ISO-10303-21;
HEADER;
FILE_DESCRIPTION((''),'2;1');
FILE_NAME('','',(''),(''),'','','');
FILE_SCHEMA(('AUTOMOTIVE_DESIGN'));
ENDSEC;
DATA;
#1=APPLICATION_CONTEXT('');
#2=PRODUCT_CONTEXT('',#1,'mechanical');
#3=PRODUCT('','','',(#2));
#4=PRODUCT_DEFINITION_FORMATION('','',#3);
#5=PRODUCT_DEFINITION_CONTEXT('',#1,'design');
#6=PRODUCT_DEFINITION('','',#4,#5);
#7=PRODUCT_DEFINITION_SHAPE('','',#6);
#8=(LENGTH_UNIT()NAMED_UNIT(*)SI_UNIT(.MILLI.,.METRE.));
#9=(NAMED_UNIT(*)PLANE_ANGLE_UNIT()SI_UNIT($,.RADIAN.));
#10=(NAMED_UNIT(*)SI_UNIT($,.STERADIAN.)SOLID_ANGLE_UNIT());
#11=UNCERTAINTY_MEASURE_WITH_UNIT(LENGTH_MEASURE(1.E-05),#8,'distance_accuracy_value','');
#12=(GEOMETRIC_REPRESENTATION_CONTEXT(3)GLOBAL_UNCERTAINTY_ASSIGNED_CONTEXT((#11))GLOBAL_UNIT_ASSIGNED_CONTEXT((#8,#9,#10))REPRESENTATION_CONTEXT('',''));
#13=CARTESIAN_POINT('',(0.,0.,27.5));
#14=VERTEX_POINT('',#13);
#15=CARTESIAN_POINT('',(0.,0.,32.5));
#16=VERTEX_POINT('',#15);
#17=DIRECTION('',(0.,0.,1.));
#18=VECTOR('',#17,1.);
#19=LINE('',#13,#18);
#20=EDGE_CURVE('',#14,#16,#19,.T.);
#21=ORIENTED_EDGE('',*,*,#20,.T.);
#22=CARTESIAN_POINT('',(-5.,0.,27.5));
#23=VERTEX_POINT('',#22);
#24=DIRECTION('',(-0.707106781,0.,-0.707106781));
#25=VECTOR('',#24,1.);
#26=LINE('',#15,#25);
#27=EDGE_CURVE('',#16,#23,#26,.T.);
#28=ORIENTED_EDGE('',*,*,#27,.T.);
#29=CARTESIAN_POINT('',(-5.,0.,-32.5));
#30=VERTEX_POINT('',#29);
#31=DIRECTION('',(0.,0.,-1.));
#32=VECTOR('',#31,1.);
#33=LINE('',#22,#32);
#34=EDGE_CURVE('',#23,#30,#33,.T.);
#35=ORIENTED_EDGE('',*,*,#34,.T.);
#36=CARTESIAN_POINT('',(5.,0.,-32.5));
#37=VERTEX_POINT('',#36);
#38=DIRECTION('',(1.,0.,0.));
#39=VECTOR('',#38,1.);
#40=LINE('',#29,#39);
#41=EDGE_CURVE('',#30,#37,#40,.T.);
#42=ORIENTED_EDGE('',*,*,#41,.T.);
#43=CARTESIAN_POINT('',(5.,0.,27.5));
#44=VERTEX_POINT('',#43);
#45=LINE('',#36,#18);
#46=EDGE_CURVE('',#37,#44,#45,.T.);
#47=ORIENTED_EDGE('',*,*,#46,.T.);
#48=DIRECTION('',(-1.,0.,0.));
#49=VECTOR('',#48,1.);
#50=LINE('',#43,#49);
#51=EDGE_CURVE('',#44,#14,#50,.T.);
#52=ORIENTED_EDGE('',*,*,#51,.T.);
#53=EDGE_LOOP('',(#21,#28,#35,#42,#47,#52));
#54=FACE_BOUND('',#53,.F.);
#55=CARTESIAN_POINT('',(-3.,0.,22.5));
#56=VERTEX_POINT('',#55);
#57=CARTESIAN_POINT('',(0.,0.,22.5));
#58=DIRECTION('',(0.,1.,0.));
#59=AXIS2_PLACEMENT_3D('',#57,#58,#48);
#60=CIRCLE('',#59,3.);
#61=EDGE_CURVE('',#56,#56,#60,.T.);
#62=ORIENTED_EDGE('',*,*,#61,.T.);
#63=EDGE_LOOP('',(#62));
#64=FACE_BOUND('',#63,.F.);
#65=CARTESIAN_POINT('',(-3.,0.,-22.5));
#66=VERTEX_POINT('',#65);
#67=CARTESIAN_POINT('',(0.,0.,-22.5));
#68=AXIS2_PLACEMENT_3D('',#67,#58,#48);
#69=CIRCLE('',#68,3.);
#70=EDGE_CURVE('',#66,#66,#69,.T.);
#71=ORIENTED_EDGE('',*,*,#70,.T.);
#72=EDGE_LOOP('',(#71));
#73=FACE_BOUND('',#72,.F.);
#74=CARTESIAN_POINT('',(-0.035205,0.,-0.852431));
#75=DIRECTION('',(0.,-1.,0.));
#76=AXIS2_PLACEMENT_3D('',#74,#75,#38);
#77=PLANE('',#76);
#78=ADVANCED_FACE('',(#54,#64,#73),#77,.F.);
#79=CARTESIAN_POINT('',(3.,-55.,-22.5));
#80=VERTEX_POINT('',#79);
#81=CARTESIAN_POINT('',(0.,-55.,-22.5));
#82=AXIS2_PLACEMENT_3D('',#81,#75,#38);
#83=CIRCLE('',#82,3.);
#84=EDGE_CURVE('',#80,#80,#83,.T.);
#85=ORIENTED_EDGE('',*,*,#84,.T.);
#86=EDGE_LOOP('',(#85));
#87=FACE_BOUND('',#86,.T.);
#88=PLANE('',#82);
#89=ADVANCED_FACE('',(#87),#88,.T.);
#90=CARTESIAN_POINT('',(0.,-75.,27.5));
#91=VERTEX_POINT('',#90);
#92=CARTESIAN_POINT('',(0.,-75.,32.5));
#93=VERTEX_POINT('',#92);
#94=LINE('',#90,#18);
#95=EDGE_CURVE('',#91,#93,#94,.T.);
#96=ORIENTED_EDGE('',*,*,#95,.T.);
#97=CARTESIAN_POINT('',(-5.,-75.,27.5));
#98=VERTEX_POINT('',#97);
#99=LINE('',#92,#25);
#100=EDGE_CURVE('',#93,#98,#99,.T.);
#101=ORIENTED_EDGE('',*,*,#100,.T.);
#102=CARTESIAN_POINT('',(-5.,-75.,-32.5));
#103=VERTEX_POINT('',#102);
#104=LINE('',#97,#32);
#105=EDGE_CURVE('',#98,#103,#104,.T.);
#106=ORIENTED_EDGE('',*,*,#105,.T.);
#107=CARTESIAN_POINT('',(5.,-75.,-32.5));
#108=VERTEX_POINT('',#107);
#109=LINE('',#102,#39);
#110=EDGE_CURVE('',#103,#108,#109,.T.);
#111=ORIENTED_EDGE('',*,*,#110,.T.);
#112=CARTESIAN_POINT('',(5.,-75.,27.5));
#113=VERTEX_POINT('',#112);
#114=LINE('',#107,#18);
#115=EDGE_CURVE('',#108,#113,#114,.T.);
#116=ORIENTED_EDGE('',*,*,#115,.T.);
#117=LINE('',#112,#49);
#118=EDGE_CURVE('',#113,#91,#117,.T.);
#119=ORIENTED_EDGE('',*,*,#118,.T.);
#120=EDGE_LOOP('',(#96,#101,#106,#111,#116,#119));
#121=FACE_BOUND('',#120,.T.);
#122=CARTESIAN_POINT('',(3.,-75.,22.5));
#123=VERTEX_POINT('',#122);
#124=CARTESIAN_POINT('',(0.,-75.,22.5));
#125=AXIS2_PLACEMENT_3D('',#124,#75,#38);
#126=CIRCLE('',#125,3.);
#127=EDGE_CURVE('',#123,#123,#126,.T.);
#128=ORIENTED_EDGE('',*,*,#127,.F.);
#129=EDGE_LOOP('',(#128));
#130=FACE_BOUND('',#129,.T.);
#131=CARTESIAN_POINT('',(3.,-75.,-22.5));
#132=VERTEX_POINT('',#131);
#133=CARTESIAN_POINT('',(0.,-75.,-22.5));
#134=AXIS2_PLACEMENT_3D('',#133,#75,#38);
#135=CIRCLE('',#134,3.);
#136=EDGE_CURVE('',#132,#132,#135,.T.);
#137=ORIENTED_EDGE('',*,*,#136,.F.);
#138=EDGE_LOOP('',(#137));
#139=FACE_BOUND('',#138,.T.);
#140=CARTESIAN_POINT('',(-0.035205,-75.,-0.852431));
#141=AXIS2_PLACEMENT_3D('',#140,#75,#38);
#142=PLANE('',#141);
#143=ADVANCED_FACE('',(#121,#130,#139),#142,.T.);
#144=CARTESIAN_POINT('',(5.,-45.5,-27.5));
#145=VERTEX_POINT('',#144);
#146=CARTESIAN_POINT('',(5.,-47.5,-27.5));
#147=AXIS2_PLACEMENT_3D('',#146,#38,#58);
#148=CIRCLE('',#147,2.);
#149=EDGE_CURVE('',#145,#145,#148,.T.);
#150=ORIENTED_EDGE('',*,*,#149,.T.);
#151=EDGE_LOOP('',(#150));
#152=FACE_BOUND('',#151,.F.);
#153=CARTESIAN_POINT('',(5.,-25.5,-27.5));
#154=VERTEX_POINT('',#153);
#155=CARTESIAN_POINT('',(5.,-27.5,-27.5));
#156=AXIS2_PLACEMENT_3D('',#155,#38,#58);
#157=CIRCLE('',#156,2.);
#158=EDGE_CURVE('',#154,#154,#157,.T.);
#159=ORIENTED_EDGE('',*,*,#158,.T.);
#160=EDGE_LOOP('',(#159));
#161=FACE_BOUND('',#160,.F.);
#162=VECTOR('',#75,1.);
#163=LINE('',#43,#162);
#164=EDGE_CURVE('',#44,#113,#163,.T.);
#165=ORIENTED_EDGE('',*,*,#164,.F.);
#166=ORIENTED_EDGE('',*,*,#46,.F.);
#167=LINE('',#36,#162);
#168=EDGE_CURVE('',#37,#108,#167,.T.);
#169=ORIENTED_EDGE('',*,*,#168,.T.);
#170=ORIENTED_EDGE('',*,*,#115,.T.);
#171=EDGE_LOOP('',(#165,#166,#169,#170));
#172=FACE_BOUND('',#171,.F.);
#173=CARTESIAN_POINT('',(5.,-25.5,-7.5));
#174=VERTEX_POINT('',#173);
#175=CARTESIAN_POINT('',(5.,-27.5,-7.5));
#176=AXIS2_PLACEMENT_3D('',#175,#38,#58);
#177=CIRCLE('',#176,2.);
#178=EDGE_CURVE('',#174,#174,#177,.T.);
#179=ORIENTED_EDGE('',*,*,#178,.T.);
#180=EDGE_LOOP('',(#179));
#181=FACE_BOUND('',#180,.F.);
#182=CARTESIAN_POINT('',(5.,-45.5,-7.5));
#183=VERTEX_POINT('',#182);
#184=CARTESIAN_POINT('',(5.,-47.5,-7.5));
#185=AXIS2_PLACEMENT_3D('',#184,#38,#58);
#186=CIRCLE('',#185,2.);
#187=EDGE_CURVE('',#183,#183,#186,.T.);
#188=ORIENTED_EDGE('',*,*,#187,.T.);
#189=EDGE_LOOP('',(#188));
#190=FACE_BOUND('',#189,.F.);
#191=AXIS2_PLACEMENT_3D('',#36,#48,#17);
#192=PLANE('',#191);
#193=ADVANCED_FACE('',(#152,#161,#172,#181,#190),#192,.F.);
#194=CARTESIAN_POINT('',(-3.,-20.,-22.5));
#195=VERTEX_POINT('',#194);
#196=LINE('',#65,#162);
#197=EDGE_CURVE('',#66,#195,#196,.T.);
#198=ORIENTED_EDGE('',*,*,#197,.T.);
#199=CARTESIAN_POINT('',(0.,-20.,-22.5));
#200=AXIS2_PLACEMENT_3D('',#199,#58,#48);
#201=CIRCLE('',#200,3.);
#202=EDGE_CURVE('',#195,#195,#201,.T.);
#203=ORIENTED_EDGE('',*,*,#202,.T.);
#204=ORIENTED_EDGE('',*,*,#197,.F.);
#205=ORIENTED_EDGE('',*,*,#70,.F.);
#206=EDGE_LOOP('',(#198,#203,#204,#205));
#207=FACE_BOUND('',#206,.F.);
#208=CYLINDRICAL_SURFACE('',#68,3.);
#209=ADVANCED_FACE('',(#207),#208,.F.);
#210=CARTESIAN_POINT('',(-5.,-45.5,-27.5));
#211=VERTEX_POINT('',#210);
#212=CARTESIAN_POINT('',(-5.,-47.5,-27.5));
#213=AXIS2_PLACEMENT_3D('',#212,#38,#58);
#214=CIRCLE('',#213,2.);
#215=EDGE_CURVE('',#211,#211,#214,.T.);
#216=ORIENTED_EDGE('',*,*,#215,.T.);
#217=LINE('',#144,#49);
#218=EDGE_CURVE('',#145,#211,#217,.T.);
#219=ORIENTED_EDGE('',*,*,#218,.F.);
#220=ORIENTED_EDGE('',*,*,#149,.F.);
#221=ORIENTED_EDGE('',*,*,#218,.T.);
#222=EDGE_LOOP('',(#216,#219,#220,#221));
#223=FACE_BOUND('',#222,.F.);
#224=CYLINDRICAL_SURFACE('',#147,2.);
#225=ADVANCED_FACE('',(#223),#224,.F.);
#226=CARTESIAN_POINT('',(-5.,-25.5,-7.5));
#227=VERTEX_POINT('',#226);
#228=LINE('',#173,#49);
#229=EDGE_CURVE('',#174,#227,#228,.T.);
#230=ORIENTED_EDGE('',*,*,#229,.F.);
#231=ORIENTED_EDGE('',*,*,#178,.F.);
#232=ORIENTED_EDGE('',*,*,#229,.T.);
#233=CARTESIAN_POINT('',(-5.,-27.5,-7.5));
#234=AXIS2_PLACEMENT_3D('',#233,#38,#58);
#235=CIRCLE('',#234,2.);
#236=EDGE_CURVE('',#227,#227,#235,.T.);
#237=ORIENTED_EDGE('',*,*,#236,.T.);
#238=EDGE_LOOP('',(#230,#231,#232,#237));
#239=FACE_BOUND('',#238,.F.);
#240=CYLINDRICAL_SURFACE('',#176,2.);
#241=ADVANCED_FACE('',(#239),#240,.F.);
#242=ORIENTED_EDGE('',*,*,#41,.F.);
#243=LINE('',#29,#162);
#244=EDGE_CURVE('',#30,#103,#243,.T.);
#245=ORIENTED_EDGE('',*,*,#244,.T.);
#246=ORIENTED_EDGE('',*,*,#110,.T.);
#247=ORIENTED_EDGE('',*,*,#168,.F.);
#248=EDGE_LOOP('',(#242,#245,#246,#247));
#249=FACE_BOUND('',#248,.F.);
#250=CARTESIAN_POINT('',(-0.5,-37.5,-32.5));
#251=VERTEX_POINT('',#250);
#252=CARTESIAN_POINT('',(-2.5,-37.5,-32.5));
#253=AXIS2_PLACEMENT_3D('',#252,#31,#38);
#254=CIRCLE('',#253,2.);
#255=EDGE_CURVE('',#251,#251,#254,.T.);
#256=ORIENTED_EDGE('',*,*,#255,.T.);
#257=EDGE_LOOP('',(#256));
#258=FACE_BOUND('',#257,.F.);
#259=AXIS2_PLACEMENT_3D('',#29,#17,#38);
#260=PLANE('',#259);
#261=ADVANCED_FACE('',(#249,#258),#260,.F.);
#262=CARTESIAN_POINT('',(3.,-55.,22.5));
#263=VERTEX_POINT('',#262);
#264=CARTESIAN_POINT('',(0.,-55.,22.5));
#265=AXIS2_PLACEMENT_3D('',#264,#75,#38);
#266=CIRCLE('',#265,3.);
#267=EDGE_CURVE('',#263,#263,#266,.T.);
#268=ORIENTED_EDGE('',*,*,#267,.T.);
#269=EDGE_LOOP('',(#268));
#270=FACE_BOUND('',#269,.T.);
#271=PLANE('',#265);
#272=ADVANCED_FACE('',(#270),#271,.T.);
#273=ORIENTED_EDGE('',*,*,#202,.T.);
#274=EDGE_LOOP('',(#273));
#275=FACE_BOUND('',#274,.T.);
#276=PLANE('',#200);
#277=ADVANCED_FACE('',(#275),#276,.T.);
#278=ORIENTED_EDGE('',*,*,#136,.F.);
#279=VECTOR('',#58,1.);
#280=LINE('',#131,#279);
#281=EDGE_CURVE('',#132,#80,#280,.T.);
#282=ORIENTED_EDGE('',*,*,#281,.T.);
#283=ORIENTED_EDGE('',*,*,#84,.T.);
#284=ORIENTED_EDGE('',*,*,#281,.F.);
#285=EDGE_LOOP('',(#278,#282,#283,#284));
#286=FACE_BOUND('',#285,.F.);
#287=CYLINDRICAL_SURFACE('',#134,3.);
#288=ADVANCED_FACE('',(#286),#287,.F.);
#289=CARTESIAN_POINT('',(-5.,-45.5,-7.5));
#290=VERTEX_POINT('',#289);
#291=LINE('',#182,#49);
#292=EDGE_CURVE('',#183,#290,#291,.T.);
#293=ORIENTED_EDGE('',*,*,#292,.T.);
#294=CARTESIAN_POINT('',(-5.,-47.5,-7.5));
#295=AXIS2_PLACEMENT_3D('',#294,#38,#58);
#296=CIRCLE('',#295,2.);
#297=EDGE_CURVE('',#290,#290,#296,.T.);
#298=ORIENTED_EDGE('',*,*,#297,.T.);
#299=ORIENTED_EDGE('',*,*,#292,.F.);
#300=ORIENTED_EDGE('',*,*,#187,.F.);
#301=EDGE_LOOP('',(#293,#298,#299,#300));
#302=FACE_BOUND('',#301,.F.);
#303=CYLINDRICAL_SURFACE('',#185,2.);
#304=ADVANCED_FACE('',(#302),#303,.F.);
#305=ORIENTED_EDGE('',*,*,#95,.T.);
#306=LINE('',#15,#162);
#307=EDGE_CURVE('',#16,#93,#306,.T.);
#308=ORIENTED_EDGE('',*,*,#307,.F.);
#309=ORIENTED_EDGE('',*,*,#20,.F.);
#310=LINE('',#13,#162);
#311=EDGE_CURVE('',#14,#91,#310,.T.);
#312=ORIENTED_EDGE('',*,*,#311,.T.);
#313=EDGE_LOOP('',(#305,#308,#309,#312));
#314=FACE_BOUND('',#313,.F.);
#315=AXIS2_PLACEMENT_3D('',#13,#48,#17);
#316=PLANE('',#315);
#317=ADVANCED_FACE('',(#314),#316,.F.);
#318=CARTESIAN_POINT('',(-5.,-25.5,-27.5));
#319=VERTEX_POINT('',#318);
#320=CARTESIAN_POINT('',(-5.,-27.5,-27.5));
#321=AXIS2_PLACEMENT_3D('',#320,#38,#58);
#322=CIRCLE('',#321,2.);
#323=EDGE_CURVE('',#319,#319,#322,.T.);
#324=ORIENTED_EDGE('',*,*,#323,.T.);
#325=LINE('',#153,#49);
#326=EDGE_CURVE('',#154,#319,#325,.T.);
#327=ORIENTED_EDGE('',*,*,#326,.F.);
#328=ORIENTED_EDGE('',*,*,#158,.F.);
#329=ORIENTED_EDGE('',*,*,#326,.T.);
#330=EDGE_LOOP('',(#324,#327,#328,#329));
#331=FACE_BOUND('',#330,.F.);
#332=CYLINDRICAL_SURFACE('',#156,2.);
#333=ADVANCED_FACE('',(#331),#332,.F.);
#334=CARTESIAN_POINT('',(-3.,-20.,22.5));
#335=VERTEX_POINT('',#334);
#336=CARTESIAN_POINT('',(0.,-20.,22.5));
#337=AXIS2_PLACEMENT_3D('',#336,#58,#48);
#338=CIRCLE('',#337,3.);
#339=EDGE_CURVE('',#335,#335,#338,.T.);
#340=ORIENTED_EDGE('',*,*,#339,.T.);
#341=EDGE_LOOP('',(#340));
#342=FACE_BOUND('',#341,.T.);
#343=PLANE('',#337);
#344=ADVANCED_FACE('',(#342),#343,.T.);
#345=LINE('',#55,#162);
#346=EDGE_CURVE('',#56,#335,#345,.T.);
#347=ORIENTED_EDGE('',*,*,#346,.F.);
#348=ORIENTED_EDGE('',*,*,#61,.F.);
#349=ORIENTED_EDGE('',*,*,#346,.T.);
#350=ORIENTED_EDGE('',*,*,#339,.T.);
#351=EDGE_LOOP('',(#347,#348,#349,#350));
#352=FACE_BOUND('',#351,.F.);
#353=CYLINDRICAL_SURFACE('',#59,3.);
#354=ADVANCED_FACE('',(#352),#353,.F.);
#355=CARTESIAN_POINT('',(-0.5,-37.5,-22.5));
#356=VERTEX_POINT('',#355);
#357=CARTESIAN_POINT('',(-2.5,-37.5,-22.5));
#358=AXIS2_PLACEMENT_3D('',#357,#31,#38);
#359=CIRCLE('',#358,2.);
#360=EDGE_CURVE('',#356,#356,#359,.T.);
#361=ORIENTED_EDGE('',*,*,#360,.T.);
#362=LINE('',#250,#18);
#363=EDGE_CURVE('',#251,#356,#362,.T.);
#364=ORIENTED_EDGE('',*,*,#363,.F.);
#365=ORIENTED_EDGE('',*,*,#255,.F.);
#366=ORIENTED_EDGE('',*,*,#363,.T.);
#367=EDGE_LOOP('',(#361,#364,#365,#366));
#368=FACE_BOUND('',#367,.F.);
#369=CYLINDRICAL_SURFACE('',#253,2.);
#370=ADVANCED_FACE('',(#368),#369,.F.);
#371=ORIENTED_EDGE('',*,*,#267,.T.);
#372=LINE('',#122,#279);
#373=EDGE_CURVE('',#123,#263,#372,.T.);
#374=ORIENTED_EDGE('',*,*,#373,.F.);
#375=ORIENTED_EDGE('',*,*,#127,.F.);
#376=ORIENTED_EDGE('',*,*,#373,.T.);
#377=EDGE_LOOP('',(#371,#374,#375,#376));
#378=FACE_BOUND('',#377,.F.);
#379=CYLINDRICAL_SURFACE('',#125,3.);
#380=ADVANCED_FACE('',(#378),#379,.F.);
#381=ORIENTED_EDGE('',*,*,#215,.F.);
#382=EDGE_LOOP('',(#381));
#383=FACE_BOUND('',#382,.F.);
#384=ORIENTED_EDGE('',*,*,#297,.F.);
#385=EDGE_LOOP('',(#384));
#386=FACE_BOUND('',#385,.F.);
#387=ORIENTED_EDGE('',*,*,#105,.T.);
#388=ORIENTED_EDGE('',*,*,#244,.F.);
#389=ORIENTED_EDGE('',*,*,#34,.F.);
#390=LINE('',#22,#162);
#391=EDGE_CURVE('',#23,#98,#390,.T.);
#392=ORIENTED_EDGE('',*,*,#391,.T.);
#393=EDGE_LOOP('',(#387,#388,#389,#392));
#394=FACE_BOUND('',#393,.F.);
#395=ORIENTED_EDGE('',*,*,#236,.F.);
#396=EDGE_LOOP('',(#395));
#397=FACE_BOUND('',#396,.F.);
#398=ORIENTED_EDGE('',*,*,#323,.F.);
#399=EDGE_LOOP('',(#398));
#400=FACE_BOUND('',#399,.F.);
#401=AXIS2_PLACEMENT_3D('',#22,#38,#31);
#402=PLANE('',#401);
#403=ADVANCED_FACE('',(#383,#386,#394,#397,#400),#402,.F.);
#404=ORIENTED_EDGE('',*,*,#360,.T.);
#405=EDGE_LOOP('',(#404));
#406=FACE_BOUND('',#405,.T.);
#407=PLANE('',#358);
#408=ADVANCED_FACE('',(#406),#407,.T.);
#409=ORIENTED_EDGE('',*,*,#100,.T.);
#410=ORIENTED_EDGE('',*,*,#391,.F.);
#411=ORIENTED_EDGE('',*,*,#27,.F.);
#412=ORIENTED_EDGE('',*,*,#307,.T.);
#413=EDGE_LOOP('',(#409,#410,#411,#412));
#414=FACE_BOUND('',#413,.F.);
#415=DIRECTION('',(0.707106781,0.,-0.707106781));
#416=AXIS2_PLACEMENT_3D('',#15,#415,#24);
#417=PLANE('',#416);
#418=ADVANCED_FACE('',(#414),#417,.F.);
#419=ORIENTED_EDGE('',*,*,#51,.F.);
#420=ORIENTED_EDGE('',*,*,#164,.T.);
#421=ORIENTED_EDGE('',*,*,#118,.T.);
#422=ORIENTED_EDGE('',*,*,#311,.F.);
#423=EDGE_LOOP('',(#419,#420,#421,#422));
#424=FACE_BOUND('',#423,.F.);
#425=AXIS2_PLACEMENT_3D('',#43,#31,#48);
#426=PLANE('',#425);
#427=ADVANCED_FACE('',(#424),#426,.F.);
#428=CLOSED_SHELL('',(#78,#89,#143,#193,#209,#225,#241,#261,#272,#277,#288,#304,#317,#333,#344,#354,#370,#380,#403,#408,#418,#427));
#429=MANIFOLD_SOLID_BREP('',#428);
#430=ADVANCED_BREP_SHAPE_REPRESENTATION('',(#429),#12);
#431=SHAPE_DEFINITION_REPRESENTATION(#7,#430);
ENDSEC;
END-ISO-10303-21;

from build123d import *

# Parameters (mm, degrees)
F1_DEPTH  = 75
F3_R      = 2
F4_DEPTH  = 25
F6_R      = 3
F7_DEPTH  = 20
F8_R      = 3
F9_DEPTH  = 20
F10_R     = 3
F11_DEPTH = 20
F12_R     = 3
F13_DEPTH = 20
F2_R      = 2
F14_DEPTH = 10
F15_DEPTH = 25


with BuildPart() as f1:
    # F0 (on Front) → F1 (new body)
    with BuildSketch(Plane.XZ):
        Polygon((-5, 27.5), (-5, -32.5), (5, -32.5), (5, 27.5), (0, 27.5), (0, 32.5), align=None)
    extrude(amount=F1_DEPTH)

    # F3 (on face) → F4 (cut)
    with BuildSketch(Plane.YZ.offset(5)):
        with Locations((-47.5, -27.5)):
            Circle(F3_R)
        with Locations((-47.5, -7.5)):
            Circle(F3_R)
        with Locations((-27.5, -7.5)):
            Circle(F3_R)
        with Locations((-27.5, -27.5)):
            Circle(F3_R)
    extrude(amount=-F4_DEPTH, mode=Mode.SUBTRACT)

    # F6 (on face) → F7 (cut)
    with BuildSketch(Plane(origin=(0, 0, 0), x_dir=(-1, 0, 0), z_dir=(0, 1, 0))):
        with Locations((0, -22.5)):
            Circle(F6_R)
    extrude(amount=-F7_DEPTH, mode=Mode.SUBTRACT)

    # F8 (on face) → F9 (cut)
    with BuildSketch(Plane.XZ.offset(75)):
        with Locations((0, 22.5)):
            Circle(F8_R)
    extrude(amount=-F9_DEPTH, mode=Mode.SUBTRACT)

    # F10 (on face) → F11 (cut)
    with BuildSketch(Plane.XZ.offset(75)):
        with Locations((0, -22.5)):
            Circle(F10_R)
    extrude(amount=-F11_DEPTH, mode=Mode.SUBTRACT)

    # F12 (on face) → F13 (cut)
    with BuildSketch(Plane(origin=(0, 0, 0), x_dir=(-1, 0, 0), z_dir=(0, 1, 0))):
        with Locations((0, 22.5)):
            Circle(F12_R)
    extrude(amount=-F13_DEPTH, mode=Mode.SUBTRACT)

    # F2 (on face) → F14 (cut)
    with BuildSketch(Plane(origin=(0, 0, -32.5), x_dir=(1, 0, 0), z_dir=(0, 0, -1))):
        with Locations((-2.5, 37.5)):
            Circle(F2_R)
    extrude(amount=-F14_DEPTH, mode=Mode.SUBTRACT)

    # F3 (on face) → F15 (cut)
    with BuildSketch(Plane.YZ.offset(5)):
        with Locations((-47.5, -27.5)):
            Circle(F3_R)
        with Locations((-47.5, -7.5)):
            Circle(F3_R)
        with Locations((-27.5, -7.5)):
            Circle(F3_R)
        with Locations((-27.5, -27.5)):
            Circle(F3_R)
    extrude(amount=-F15_DEPTH, mode=Mode.SUBTRACT)


solid = f1.part
